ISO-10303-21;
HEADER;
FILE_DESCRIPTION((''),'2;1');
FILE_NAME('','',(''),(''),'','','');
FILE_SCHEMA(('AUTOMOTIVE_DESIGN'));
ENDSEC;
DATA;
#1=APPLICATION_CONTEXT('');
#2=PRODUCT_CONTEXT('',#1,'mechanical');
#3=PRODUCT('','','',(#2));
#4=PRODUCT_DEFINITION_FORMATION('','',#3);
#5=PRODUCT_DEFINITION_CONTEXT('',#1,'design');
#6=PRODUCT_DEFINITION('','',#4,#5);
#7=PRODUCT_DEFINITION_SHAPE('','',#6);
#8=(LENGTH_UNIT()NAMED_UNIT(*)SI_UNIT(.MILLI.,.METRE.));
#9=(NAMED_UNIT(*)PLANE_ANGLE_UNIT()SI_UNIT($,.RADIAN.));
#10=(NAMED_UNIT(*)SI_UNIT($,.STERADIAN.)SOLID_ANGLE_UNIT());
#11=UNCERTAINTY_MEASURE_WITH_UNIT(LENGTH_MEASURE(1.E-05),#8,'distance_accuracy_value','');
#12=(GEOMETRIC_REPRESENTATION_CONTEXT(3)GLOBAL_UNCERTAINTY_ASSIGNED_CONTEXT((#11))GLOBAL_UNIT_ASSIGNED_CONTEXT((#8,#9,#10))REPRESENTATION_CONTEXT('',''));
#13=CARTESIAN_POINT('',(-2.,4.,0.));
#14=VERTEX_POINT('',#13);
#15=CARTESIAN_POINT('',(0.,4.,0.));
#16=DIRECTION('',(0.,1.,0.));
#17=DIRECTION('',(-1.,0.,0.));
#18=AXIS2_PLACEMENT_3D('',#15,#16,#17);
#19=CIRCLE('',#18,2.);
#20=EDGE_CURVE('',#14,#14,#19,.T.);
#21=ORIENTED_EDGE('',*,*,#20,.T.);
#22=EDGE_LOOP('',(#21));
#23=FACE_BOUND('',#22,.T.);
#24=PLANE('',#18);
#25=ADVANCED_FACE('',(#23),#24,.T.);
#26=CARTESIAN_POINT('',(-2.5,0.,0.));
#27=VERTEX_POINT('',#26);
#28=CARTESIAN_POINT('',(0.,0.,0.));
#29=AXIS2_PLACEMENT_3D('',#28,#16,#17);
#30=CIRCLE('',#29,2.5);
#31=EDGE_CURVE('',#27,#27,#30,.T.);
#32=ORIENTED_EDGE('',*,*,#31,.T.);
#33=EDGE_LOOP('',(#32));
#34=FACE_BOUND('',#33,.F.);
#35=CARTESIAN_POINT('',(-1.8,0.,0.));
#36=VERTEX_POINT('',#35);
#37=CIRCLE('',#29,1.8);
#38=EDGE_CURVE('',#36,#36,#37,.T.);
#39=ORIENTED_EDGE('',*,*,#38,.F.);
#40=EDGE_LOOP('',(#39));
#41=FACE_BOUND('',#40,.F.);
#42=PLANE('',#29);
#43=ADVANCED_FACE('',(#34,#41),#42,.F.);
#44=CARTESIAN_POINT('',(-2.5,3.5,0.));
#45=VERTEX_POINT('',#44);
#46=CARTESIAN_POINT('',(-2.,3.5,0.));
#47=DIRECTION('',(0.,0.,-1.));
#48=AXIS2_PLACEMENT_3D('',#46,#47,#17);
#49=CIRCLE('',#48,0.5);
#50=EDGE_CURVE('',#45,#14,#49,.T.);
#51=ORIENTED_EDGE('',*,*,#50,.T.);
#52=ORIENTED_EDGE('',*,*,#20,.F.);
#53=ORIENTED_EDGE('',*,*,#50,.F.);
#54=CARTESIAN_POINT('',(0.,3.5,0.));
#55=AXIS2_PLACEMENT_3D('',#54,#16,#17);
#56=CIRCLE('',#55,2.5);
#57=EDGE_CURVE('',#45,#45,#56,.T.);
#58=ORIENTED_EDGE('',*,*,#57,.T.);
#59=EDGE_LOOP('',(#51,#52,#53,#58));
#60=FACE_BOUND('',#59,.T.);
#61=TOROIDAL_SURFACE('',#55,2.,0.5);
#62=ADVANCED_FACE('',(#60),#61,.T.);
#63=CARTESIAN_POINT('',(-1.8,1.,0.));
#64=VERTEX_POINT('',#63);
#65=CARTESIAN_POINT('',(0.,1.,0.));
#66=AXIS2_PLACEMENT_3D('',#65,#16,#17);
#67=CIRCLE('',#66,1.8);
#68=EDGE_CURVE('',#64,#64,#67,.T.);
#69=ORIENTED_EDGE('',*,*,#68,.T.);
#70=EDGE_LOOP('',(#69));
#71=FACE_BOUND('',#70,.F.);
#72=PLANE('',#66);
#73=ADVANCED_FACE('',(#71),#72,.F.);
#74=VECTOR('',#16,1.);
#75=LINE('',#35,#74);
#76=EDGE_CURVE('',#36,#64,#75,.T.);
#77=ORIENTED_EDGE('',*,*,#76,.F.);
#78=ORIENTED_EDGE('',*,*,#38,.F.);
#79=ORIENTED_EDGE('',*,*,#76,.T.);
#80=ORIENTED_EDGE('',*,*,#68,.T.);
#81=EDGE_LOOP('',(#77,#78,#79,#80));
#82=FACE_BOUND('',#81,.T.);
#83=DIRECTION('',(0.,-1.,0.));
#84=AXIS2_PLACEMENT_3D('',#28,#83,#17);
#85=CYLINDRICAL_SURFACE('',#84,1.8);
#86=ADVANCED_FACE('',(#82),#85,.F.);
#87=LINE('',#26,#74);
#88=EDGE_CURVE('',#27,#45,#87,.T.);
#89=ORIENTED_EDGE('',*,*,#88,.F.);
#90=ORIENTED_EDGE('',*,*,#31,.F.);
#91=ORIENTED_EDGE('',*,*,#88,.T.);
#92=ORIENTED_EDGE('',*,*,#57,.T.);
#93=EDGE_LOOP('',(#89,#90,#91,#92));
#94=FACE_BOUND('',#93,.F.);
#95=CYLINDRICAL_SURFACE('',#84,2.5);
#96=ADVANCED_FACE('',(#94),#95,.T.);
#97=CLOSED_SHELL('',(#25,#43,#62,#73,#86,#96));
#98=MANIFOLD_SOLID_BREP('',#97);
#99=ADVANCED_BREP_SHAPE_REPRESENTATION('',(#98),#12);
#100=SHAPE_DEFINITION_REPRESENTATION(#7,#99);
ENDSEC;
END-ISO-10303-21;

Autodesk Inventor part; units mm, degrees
ref_plane "YZ Plane" through (0, 0, 0) normal (1, 0, 0) x (0, 1, 0)
ref_plane "XZ Plane" through (0, 0, 0) normal (0, 1, 0) x (-1, 0, 0)
ref_plane "XY Plane" through (0, 0, 0) normal (0, 0, 1) x (1, 0, 0)
sketch "Sketch1" plane through (0, 0, 0) normal (0, 1, 0) x (-1, 0, 0)
  circle A0 centre (0, 0) radius 1.8
  circle A1 centre (0, 0) radius 2.5
  dimension "d1" = 3.6
  dimension "d7" = 5
extrude "Extrusion1" add sketch "Sketch1" along normal blind 4 contours A0 | A1
extrude "Extrusion2" cut sketch "Sketch1" along normal blind 1 contours A0
fillet "Fillet1" radius 0.5 1 edges at (2.5, 4, 0)
properties part number "button"
